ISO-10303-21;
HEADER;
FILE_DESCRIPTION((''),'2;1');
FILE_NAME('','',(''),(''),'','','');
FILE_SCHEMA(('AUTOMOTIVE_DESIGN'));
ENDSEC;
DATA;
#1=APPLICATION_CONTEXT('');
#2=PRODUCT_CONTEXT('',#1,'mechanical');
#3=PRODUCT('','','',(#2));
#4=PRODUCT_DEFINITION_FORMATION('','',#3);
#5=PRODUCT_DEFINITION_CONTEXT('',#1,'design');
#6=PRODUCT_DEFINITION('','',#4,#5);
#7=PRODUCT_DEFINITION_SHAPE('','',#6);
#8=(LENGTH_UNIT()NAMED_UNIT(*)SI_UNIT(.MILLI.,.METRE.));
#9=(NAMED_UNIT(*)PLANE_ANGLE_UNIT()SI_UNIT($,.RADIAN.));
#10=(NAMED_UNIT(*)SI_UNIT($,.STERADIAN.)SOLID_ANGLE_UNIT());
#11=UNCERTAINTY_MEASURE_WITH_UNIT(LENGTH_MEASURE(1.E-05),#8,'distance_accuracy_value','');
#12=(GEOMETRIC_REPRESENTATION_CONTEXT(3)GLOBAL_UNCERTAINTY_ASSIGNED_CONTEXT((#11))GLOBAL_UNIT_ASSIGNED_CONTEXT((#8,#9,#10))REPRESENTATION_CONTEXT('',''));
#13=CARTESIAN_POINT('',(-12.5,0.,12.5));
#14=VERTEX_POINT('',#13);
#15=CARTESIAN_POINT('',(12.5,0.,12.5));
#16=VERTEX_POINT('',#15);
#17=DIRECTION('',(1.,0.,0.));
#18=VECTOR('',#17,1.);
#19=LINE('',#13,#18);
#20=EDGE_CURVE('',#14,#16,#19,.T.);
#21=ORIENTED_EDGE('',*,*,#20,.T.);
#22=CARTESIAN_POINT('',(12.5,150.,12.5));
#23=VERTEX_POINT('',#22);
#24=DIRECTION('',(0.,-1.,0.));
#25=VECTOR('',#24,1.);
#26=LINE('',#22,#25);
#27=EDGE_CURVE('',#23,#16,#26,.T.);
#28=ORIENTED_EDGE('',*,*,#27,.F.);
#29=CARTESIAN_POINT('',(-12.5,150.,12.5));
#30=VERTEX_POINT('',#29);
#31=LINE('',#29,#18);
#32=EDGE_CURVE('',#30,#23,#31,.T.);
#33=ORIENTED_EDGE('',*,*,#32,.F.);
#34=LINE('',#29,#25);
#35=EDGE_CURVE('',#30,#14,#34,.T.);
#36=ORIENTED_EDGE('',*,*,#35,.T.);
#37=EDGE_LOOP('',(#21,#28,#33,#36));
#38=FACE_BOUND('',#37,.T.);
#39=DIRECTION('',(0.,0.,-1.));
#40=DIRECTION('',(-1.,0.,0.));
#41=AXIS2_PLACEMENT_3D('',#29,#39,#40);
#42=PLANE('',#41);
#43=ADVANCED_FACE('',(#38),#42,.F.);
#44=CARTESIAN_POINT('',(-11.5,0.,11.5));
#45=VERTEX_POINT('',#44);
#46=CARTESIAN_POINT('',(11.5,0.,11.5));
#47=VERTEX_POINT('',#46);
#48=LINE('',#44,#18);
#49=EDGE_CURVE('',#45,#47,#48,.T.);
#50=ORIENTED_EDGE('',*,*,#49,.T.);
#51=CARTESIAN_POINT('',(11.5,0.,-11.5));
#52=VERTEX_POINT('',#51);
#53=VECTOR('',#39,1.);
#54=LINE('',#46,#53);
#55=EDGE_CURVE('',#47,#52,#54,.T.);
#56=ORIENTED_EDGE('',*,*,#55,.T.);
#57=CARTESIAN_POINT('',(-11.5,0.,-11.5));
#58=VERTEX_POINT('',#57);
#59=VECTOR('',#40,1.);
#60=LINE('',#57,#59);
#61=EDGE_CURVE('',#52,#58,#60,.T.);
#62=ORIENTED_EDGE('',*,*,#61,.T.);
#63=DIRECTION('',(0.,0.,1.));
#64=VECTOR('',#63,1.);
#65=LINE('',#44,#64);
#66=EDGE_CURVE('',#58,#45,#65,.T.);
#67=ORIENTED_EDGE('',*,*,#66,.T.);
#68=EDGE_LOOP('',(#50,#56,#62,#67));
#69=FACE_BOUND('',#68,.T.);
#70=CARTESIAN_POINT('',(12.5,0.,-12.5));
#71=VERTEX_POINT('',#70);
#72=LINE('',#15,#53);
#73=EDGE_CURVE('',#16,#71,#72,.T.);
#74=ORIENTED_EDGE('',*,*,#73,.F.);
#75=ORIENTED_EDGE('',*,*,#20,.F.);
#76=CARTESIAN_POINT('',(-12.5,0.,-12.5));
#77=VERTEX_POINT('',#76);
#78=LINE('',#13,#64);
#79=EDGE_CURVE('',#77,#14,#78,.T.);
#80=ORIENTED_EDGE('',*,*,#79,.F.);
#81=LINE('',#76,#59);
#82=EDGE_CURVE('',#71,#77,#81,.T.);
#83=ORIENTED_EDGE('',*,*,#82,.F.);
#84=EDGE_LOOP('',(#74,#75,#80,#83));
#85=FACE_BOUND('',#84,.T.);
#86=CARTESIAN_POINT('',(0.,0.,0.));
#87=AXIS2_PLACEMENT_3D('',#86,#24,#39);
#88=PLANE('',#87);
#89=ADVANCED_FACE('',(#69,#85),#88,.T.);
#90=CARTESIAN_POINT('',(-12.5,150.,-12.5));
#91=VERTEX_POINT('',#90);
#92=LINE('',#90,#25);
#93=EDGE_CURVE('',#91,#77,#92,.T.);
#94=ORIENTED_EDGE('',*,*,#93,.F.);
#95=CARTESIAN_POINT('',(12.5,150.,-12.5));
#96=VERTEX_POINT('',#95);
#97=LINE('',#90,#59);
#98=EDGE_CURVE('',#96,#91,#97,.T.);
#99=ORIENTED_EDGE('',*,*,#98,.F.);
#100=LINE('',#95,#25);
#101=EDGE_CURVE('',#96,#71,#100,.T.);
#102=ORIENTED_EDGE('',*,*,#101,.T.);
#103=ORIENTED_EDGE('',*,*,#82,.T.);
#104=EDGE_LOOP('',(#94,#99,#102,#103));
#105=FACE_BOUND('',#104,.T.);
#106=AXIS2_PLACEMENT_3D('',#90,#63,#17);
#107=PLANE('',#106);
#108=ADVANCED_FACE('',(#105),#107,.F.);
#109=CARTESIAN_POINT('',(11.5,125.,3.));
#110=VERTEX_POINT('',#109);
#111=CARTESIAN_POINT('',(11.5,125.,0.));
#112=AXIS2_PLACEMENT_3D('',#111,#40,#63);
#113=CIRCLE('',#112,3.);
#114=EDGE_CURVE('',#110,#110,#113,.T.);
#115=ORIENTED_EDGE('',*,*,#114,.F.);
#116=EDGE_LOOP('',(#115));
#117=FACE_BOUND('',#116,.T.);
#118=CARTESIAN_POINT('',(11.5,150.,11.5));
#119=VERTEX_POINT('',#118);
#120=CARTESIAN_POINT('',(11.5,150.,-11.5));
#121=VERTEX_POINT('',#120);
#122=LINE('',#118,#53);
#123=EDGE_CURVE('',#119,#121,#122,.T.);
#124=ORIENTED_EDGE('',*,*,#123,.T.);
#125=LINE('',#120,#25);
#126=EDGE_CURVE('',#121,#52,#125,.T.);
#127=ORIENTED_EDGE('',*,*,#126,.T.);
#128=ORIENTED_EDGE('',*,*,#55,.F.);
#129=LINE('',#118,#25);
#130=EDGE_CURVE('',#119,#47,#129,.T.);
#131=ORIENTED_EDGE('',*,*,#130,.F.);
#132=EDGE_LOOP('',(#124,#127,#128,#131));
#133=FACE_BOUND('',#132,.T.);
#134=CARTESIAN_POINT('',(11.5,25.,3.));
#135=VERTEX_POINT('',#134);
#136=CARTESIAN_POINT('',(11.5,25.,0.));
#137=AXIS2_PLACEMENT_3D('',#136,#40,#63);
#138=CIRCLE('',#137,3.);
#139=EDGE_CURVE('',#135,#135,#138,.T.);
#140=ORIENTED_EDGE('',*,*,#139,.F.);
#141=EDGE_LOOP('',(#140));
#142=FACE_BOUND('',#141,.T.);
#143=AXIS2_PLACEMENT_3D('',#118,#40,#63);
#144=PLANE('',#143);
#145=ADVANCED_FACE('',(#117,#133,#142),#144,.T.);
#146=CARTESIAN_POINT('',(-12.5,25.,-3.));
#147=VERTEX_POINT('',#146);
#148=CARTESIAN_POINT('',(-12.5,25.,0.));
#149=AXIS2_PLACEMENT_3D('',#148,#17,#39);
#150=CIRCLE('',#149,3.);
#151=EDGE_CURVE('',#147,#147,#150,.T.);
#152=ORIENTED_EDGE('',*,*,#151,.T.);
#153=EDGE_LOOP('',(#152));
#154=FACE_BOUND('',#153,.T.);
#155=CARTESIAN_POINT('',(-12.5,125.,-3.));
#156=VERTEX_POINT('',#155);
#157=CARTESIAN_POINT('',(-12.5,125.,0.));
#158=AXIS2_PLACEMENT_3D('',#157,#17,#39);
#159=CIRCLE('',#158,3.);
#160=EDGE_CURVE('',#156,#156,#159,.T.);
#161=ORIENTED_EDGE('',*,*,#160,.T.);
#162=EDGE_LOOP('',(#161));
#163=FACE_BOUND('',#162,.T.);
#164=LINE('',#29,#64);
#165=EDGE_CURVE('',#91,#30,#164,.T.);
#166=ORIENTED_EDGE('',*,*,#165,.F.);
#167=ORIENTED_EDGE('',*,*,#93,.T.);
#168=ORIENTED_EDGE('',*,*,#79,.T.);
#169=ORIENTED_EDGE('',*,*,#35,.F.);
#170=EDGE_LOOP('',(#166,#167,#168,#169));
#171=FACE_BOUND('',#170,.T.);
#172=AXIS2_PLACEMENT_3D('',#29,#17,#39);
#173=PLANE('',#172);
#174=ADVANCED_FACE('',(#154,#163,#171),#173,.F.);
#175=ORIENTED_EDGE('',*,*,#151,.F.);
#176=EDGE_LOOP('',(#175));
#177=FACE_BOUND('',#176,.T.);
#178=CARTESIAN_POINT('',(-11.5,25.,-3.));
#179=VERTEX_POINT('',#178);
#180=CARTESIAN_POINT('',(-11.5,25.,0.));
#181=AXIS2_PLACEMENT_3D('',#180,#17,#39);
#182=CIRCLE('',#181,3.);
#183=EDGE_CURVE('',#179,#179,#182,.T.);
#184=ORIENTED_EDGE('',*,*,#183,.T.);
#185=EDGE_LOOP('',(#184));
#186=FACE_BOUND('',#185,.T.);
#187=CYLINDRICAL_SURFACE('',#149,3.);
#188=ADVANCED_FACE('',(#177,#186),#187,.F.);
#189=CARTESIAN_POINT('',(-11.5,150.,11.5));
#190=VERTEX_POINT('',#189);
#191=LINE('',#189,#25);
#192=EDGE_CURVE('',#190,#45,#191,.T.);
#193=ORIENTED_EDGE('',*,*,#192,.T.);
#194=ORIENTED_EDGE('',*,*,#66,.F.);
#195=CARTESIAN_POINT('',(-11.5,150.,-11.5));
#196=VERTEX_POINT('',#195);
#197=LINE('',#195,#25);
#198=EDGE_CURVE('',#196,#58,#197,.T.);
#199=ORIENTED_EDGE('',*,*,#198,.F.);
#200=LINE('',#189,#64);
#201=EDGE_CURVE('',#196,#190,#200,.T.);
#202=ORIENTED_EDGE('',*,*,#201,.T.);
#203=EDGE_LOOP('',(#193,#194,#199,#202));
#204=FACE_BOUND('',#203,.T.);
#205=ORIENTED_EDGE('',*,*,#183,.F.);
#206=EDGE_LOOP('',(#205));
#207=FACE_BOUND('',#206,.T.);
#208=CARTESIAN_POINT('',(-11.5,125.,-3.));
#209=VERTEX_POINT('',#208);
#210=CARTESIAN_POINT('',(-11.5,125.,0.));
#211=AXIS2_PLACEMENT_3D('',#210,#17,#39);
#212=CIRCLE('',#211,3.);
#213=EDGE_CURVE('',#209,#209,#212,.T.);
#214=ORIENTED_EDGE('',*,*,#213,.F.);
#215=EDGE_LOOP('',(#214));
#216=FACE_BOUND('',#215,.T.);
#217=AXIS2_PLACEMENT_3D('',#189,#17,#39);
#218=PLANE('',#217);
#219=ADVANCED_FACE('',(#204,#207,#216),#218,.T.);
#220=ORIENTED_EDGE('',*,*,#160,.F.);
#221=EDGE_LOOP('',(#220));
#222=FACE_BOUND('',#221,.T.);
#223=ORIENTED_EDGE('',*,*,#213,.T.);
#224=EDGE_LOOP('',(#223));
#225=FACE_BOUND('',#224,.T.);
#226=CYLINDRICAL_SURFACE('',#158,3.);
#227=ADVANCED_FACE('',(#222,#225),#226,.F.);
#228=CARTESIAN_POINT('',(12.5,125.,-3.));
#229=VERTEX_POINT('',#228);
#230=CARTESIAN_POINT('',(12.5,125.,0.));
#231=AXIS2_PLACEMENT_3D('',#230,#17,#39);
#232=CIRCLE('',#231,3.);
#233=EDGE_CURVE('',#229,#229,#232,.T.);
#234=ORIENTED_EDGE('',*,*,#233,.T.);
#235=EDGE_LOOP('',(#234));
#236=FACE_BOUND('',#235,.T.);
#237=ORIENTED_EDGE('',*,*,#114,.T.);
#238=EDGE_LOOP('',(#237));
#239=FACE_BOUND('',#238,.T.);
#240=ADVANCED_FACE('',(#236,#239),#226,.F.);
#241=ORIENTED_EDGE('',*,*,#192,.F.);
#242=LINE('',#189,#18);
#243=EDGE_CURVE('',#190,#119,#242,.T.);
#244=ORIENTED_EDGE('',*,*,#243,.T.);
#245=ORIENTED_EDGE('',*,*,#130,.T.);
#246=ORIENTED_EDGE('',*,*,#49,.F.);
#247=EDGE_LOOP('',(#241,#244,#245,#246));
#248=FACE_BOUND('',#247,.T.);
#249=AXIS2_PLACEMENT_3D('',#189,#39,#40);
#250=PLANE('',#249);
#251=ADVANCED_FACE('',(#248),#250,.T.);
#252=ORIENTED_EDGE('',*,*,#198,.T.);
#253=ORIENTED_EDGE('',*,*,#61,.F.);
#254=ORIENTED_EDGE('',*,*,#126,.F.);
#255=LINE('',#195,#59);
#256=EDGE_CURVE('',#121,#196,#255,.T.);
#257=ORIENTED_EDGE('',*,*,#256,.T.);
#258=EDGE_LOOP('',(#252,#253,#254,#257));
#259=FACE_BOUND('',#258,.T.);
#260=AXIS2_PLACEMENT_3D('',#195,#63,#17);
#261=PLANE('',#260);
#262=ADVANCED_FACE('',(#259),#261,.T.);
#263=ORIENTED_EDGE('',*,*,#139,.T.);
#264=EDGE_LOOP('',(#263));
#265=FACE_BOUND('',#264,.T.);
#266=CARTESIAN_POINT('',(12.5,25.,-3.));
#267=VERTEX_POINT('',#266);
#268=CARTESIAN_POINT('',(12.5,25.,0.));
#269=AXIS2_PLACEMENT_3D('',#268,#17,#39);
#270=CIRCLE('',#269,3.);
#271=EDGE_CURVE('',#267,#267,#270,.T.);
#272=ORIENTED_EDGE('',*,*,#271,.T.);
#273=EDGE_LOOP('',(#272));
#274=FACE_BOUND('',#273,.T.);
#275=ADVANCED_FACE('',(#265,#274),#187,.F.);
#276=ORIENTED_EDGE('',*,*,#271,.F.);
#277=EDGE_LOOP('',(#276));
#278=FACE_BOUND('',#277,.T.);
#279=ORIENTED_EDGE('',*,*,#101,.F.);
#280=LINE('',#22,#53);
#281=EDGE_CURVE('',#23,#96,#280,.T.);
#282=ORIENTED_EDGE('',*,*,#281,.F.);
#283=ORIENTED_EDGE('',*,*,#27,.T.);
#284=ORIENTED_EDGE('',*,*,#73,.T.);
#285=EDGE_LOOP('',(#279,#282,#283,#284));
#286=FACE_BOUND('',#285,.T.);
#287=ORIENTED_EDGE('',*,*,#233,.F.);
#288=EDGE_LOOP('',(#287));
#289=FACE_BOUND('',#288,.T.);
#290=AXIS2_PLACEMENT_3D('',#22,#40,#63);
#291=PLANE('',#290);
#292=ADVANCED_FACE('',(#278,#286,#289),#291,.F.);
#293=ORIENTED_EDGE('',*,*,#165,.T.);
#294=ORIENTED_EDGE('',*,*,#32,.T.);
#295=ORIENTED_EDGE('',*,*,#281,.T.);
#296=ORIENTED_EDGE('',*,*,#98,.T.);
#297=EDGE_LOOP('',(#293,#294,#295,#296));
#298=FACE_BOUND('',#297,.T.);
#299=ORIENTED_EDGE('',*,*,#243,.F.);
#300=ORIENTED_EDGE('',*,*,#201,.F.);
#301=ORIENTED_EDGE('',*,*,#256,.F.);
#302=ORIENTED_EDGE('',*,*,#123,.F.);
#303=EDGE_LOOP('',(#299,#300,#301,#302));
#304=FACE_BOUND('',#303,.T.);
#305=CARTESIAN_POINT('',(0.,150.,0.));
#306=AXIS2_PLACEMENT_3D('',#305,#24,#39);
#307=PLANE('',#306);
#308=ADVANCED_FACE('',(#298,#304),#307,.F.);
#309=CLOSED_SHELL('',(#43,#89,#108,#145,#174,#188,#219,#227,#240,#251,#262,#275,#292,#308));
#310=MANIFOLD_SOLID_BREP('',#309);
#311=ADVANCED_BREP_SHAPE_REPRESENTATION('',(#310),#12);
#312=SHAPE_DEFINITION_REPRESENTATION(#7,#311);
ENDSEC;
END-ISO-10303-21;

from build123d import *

# Parameters (mm, degrees)
SKETCH1_W           = 25
SKETCH1_H           = 25
SKETCH1_W_2         = 23
SKETCH1_H_2         = 23
BOSS_EXTRUDE1_DEPTH = 150
SKETCH2_R           = 3
CUT_EXTRUDE1_DEPTH  = 153.581945197


with BuildPart() as part:
    # Sketch1 → Boss-Extrude1 (new body)
    with BuildSketch(Plane(origin=(0, 0, 0), x_dir=(1, 0, 0), z_dir=(0, 1, 0))):
        Rectangle(SKETCH1_W, SKETCH1_H)
        Rectangle(SKETCH1_W_2, SKETCH1_H_2, mode=Mode.SUBTRACT)
    extrude(amount=BOSS_EXTRUDE1_DEPTH)

    # Sketch2 → Cut-Extrude1 (cut, through all)
    with BuildSketch(Plane(origin=(12.5, 0, 0), x_dir=(0, 0, -1), z_dir=(1, 0, 0))):
        with Locations((0, 125)):
            Circle(SKETCH2_R)
        with Locations((0, 25)):
            Circle(SKETCH2_R)
    extrude(amount=-CUT_EXTRUDE1_DEPTH, mode=Mode.SUBTRACT)


solid = part.part
